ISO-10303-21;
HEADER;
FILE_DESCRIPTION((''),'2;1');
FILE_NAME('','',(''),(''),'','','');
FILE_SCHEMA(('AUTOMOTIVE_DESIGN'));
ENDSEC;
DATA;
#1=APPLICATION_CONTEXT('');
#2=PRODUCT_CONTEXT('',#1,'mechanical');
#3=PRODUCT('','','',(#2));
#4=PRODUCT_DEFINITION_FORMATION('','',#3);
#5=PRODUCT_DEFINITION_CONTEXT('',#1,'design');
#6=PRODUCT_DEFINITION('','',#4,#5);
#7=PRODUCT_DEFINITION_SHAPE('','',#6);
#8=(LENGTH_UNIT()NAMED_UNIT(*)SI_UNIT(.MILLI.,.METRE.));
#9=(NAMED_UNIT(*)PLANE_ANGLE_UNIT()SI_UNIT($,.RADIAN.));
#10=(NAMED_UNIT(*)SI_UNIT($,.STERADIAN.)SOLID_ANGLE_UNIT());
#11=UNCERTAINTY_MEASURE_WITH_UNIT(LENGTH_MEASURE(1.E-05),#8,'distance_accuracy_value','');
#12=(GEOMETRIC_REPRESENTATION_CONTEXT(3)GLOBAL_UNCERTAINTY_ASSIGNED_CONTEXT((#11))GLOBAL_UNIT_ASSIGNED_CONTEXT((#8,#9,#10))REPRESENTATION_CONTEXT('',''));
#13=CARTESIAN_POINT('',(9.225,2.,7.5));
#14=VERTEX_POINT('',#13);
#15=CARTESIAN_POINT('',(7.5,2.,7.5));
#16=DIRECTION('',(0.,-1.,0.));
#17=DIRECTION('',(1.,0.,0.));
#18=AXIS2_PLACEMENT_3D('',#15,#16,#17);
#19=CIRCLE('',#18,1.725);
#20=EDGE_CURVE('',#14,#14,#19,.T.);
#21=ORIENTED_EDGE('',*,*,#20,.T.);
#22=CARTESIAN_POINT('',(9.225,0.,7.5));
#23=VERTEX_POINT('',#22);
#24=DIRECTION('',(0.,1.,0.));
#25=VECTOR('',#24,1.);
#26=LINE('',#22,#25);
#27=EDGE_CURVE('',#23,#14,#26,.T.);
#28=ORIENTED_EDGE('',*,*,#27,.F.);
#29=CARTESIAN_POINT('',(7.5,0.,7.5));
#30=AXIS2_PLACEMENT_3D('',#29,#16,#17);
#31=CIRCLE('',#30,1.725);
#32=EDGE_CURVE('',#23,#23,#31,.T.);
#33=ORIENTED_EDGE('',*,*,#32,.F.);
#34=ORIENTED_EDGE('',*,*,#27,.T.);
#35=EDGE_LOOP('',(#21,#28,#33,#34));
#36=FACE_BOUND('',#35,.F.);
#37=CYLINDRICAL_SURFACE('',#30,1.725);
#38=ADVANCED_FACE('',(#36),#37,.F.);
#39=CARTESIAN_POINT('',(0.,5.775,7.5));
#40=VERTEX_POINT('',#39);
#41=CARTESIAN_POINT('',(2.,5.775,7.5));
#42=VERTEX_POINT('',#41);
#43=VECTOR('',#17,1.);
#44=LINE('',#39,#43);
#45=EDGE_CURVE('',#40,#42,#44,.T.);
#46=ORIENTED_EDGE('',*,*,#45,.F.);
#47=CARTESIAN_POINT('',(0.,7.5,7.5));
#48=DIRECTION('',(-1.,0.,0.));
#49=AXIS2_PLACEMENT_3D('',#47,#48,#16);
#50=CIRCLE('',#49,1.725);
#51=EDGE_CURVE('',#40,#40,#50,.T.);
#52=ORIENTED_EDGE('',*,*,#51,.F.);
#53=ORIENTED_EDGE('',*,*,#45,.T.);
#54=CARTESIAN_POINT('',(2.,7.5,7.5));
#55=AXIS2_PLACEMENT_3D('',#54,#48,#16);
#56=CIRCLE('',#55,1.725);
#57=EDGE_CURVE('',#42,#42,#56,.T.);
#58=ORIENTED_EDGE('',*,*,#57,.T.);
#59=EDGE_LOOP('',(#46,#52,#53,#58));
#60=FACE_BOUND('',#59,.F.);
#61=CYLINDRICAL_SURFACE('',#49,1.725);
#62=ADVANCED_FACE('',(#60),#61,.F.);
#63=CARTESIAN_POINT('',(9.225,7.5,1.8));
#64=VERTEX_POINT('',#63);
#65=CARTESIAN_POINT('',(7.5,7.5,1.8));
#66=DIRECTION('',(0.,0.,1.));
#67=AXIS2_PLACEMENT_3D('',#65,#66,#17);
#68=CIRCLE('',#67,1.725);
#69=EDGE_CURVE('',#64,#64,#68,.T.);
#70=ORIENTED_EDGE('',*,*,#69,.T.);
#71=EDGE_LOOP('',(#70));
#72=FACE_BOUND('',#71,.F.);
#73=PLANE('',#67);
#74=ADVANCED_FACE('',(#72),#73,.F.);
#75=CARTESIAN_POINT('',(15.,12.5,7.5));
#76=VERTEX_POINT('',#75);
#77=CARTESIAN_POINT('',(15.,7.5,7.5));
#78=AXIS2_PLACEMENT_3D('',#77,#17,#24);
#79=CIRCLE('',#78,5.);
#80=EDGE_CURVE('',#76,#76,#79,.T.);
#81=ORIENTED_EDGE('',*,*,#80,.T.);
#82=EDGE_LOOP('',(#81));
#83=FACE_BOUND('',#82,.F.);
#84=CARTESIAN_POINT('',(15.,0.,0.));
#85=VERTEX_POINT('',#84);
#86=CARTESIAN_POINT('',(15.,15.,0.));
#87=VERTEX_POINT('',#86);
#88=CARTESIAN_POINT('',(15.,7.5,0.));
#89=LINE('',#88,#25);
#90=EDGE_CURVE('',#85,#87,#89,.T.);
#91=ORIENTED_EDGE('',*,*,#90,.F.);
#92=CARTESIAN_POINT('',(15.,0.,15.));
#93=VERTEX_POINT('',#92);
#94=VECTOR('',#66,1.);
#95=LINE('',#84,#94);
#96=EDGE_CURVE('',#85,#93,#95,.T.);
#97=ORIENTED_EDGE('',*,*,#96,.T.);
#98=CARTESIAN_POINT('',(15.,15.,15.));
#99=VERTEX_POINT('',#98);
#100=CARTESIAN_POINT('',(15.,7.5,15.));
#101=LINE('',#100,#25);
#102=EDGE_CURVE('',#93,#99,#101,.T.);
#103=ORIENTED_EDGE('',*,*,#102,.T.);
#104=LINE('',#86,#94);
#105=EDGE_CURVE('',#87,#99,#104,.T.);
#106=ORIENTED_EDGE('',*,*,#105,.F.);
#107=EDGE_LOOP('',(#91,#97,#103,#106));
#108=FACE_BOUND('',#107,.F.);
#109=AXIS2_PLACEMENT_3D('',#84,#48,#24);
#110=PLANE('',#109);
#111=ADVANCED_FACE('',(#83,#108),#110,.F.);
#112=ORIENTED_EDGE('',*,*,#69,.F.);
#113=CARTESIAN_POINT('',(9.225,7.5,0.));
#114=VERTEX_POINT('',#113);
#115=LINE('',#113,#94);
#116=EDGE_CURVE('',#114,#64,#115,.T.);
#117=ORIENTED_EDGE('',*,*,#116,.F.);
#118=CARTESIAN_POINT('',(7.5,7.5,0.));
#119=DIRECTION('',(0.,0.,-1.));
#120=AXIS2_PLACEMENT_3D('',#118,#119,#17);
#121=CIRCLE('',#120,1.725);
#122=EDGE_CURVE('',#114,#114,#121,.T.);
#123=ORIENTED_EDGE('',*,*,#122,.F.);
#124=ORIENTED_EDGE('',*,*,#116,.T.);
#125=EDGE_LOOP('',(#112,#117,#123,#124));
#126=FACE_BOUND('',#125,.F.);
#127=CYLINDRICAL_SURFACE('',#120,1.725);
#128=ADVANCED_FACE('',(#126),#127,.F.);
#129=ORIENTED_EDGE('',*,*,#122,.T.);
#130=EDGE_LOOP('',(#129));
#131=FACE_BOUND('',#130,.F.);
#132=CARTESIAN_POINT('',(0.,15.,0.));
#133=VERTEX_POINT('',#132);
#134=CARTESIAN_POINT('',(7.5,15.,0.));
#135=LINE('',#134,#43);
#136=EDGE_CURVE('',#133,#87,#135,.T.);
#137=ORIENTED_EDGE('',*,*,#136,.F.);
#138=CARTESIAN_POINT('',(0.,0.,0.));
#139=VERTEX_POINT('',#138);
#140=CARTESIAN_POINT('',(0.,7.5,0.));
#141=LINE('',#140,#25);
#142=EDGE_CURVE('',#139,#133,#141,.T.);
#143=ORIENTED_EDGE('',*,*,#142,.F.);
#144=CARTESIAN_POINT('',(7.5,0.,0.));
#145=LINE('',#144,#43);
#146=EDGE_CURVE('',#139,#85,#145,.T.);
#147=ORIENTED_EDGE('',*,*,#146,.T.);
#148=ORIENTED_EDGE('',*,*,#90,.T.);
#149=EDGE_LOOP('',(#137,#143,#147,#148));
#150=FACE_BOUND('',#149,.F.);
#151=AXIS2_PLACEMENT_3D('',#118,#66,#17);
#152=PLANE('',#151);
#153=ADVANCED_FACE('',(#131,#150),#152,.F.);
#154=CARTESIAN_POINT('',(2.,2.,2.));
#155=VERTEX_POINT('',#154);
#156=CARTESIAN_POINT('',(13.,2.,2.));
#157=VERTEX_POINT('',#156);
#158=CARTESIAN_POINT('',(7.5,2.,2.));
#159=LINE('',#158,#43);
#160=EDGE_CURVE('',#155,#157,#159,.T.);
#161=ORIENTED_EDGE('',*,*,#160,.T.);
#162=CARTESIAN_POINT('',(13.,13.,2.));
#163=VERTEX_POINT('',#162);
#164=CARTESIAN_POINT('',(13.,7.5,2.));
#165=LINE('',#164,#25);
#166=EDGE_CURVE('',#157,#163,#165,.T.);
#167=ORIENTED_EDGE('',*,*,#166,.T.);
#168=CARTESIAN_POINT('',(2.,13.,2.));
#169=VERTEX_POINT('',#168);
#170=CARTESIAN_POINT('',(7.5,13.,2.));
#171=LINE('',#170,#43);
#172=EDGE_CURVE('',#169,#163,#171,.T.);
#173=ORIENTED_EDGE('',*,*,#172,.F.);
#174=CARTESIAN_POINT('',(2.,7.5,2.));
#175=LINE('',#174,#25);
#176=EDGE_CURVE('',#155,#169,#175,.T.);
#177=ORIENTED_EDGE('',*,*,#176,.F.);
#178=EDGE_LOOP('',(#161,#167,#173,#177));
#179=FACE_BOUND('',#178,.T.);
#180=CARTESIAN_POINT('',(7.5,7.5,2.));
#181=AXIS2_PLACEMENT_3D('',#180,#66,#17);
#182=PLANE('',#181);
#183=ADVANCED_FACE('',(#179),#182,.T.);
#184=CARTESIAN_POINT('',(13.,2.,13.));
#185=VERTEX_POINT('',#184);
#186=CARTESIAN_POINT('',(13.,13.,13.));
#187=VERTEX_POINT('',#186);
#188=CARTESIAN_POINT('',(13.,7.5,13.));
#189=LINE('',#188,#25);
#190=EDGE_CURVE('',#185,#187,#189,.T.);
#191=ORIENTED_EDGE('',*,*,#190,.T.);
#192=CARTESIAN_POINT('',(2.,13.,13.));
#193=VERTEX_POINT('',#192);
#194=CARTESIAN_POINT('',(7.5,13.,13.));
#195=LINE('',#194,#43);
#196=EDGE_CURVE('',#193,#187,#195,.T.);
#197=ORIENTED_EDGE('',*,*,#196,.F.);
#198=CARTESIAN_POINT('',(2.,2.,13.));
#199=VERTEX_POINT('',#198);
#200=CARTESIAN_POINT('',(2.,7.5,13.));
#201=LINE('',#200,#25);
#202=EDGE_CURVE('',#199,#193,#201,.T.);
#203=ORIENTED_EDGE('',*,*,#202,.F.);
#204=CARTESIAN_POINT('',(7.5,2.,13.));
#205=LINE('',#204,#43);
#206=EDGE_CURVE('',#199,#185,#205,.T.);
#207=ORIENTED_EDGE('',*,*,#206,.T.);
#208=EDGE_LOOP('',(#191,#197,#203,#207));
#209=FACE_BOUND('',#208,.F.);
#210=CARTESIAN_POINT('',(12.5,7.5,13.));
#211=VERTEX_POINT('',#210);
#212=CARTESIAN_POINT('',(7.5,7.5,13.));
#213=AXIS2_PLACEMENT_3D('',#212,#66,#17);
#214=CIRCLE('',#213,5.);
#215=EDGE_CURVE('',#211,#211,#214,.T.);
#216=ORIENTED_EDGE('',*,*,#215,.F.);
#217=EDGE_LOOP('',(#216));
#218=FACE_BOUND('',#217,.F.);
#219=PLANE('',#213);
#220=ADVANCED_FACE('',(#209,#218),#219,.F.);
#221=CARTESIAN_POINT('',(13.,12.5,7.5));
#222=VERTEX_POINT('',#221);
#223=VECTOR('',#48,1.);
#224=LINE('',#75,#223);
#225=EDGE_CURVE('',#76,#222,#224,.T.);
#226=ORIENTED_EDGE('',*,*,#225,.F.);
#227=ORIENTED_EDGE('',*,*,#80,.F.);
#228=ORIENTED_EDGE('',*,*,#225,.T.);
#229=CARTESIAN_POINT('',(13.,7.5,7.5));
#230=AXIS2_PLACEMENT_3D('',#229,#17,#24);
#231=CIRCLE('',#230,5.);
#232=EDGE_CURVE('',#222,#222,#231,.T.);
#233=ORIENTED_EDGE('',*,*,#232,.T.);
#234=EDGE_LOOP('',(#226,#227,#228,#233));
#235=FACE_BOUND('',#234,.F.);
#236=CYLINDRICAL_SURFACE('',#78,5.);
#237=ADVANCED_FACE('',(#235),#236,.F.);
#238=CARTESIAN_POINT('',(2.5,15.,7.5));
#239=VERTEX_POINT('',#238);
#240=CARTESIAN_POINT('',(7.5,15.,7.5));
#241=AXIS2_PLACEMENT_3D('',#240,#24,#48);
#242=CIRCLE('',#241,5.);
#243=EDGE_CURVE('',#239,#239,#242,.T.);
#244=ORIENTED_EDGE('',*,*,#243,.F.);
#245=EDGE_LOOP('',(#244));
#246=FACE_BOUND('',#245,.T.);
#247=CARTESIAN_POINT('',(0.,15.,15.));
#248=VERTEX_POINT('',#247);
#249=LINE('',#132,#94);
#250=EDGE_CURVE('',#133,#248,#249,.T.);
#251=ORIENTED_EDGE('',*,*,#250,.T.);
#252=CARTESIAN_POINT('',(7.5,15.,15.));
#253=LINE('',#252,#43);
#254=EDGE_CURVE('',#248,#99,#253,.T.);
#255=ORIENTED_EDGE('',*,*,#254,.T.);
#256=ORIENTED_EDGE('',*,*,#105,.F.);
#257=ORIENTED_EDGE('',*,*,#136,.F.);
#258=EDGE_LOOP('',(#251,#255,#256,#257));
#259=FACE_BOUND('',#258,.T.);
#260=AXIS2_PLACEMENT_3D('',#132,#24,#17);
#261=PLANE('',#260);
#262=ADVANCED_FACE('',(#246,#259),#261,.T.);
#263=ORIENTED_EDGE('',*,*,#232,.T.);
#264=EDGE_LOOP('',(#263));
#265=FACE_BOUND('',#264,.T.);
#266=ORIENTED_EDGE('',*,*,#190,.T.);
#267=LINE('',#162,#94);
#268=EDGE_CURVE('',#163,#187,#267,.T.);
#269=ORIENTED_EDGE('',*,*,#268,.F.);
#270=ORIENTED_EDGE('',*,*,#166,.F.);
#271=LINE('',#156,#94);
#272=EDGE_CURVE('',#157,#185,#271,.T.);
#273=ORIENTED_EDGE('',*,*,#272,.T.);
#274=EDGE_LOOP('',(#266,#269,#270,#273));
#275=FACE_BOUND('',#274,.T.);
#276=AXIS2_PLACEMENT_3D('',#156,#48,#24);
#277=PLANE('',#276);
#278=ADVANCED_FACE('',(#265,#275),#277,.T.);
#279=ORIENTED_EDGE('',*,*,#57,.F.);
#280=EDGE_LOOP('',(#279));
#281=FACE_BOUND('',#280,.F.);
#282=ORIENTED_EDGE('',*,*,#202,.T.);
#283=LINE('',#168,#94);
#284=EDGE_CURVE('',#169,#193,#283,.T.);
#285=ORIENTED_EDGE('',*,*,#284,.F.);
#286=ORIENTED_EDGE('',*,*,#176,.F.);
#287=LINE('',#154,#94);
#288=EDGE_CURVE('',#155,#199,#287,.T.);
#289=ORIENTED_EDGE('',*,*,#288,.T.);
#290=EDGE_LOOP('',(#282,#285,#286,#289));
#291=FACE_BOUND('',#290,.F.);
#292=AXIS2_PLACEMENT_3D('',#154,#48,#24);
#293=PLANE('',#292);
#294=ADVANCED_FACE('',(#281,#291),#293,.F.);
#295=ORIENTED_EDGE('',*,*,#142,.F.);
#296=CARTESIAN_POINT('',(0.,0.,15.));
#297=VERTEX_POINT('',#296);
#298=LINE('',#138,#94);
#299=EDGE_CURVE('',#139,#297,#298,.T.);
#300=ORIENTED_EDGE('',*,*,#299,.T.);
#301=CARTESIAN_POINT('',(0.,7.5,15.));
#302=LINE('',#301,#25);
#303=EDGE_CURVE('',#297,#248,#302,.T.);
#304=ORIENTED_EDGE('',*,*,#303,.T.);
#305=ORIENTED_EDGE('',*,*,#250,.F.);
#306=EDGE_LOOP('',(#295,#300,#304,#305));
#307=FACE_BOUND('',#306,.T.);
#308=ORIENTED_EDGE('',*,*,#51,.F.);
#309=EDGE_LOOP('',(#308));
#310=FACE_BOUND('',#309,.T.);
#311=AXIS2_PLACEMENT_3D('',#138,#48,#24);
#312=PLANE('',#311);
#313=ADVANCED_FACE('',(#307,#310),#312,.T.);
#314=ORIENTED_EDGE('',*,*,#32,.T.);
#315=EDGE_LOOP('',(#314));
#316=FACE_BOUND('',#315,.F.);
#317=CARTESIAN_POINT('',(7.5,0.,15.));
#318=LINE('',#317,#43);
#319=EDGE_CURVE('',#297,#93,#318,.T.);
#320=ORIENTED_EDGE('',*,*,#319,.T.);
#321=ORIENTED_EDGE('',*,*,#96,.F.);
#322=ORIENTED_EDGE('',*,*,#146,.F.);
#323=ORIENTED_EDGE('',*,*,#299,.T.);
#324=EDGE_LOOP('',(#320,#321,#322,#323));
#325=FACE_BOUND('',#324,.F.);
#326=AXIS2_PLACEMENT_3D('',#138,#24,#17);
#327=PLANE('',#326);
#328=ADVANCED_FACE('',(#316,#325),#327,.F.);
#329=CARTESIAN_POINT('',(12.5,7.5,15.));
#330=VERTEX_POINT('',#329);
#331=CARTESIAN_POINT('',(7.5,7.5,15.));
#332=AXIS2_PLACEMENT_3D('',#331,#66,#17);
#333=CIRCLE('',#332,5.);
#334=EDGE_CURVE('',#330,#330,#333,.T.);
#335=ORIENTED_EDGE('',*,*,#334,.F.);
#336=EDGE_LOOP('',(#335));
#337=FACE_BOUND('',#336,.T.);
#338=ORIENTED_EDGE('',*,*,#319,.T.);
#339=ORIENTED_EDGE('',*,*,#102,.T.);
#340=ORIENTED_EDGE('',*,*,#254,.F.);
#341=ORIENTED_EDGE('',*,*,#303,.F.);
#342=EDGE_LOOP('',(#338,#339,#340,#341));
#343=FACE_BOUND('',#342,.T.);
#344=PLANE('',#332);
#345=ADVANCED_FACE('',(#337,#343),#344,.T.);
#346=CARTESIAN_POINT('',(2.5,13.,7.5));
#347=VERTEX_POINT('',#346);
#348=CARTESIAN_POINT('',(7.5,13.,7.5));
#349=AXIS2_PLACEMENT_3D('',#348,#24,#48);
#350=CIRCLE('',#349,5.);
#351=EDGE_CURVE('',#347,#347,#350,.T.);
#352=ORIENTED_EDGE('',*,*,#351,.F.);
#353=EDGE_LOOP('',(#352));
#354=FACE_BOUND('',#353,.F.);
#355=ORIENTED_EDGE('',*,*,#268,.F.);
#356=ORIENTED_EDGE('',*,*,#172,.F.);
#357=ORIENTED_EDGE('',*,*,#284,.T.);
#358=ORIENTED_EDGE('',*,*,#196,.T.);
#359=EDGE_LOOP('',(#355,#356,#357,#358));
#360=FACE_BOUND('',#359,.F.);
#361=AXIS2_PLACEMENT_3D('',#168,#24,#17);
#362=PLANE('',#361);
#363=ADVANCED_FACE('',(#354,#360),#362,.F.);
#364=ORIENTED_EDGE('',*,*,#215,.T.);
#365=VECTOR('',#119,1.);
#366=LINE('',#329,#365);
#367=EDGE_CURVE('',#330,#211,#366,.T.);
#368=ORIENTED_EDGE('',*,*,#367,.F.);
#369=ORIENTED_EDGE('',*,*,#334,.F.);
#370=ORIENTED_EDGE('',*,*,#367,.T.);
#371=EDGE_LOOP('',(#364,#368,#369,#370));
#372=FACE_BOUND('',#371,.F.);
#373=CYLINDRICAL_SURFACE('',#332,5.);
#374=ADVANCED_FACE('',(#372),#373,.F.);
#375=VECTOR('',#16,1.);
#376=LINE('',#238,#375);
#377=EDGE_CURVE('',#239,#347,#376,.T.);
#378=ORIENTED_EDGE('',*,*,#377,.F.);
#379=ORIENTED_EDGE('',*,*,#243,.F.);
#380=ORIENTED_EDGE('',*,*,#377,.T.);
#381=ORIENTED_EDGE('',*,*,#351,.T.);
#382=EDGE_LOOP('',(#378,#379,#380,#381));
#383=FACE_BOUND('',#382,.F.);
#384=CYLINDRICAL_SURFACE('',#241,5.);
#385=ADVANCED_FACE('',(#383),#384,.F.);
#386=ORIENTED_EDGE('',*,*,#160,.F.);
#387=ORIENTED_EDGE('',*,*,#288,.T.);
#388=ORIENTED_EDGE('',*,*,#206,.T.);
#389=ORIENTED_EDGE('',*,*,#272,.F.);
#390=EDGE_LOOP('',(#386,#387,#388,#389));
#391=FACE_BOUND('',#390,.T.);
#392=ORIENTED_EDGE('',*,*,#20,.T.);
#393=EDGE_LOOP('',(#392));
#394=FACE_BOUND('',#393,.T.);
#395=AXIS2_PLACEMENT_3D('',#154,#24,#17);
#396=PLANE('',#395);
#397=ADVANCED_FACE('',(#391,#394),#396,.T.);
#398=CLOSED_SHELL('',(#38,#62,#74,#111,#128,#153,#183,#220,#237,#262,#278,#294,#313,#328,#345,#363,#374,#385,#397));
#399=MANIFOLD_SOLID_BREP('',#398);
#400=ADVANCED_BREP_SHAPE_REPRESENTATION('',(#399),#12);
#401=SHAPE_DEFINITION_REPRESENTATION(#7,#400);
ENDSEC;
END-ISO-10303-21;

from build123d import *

# Parameters (mm, degrees)
F0_W      = 15
F0_H      = 15
F1_DEPTH  = 15
F2_W      = 11
F2_H      = 11
F3_DEPTH  = 11
F6_R      = 1.725
F7_DEPTH  = 2
F8_R      = 1.725
F9_DEPTH  = 2
F10_R     = 1.725
F11_DEPTH = 2
F12_R     = 5
F13_DEPTH = 7.5
F14_R     = 5
F15_DEPTH = 7.5
F16_R     = 5
F17_DEPTH = 7.5
F18_R     = 3.5
F19_DEPTH = 13
F20_R     = 3.5
F21_DEPTH = 13
F22_R     = 3.5
F23_DEPTH = 13
F24_R     = 1.725
F25_DEPTH = 0.2


with BuildPart() as f1:
    # F0 (on Top) → F1 (new body)
    with BuildSketch(Plane.XY):
        with Locations((7.5, 7.5)):
            Rectangle(F0_W, F0_H)
    extrude(amount=F1_DEPTH)


with BuildPart() as f3:
    # F2 (on Top) → F3 (new body)
    with BuildSketch(Plane.XY):
        with Locations((7.5, 7.5)):
            Rectangle(F2_W, F2_H)
    extrude(amount=F3_DEPTH)


with BuildPart() as f3_1:
    # F4: moved
    add(f3.part.moved(Location((0, 0, 2))))


with BuildPart() as f1_1:
    add(f1.part)

    # F5: cut F3
    add(f3_1.part, mode=Mode.SUBTRACT)

    # F6 (on face) → F7 (cut, through all)
    with BuildSketch(Plane.XZ):
        with Locations((7.5, 7.5)):
            Circle(F6_R)
    extrude(amount=-F7_DEPTH, mode=Mode.SUBTRACT)

    # F8 (on face) → F9 (cut, through all)
    with BuildSketch(Plane(origin=(0, 0, 0), x_dir=(0, -1, 0), z_dir=(-1, 0, 0))):
        with Locations((-7.5, 7.5)):
            Circle(F8_R)
    extrude(amount=-F9_DEPTH, mode=Mode.SUBTRACT)

    # F10 (on face) → F11 (cut, through all)
    with BuildSketch(Plane(origin=(0, 0, 0), x_dir=(1, 0, 0), z_dir=(0, 0, -1))):
        with Locations((7.5, -7.5)):
            Circle(F10_R)
    extrude(amount=-F11_DEPTH, mode=Mode.SUBTRACT)

    # F12 (on face) → F13 (cut)
    with BuildSketch(Plane(origin=(0, 15, 0), x_dir=(-1, 0, 0), z_dir=(0, 1, 0))):
        with Locations((-7.5, 7.5)):
            Circle(F12_R)
    extrude(amount=-F13_DEPTH, mode=Mode.SUBTRACT)

    # F14 (on face) → F15 (cut)
    with BuildSketch(Plane.YZ.offset(15)):
        with Locations((7.5, 7.5)):
            Circle(F14_R)
    extrude(amount=-F15_DEPTH, mode=Mode.SUBTRACT)

    # F16 (on face) → F17 (cut)
    with BuildSketch(Plane.XY.offset(15)):
        with Locations((7.5, 7.5)):
            Circle(F16_R)
    extrude(amount=-F17_DEPTH, mode=Mode.SUBTRACT)

    # F18 (on face) → F19 (cut)
    with BuildSketch(Plane(origin=(0, 15, 0), x_dir=(-1, 0, 0), z_dir=(0, 1, 0))):
        with Locations((-7.5, 7.5)):
            Circle(F18_R)
    extrude(amount=-F19_DEPTH, mode=Mode.SUBTRACT)

    # F20 (on face) → F21 (cut)
    with BuildSketch(Plane.YZ.offset(15)):
        with Locations((7.5, 7.5)):
            Circle(F20_R)
    extrude(amount=-F21_DEPTH, mode=Mode.SUBTRACT)

    # F22 (on face) → F23 (cut)
    with BuildSketch(Plane.XY.offset(15)):
        with Locations((7.5, 7.5)):
            Circle(F22_R)
    extrude(amount=-F23_DEPTH, mode=Mode.SUBTRACT)

    # F24 (on face) → F25 (join)
    with BuildSketch(Plane.XY.offset(2)):
        with Locations((7.5, 7.5)):
            Circle(F24_R)
    extrude(amount=-F25_DEPTH)


solid = f1_1.part
